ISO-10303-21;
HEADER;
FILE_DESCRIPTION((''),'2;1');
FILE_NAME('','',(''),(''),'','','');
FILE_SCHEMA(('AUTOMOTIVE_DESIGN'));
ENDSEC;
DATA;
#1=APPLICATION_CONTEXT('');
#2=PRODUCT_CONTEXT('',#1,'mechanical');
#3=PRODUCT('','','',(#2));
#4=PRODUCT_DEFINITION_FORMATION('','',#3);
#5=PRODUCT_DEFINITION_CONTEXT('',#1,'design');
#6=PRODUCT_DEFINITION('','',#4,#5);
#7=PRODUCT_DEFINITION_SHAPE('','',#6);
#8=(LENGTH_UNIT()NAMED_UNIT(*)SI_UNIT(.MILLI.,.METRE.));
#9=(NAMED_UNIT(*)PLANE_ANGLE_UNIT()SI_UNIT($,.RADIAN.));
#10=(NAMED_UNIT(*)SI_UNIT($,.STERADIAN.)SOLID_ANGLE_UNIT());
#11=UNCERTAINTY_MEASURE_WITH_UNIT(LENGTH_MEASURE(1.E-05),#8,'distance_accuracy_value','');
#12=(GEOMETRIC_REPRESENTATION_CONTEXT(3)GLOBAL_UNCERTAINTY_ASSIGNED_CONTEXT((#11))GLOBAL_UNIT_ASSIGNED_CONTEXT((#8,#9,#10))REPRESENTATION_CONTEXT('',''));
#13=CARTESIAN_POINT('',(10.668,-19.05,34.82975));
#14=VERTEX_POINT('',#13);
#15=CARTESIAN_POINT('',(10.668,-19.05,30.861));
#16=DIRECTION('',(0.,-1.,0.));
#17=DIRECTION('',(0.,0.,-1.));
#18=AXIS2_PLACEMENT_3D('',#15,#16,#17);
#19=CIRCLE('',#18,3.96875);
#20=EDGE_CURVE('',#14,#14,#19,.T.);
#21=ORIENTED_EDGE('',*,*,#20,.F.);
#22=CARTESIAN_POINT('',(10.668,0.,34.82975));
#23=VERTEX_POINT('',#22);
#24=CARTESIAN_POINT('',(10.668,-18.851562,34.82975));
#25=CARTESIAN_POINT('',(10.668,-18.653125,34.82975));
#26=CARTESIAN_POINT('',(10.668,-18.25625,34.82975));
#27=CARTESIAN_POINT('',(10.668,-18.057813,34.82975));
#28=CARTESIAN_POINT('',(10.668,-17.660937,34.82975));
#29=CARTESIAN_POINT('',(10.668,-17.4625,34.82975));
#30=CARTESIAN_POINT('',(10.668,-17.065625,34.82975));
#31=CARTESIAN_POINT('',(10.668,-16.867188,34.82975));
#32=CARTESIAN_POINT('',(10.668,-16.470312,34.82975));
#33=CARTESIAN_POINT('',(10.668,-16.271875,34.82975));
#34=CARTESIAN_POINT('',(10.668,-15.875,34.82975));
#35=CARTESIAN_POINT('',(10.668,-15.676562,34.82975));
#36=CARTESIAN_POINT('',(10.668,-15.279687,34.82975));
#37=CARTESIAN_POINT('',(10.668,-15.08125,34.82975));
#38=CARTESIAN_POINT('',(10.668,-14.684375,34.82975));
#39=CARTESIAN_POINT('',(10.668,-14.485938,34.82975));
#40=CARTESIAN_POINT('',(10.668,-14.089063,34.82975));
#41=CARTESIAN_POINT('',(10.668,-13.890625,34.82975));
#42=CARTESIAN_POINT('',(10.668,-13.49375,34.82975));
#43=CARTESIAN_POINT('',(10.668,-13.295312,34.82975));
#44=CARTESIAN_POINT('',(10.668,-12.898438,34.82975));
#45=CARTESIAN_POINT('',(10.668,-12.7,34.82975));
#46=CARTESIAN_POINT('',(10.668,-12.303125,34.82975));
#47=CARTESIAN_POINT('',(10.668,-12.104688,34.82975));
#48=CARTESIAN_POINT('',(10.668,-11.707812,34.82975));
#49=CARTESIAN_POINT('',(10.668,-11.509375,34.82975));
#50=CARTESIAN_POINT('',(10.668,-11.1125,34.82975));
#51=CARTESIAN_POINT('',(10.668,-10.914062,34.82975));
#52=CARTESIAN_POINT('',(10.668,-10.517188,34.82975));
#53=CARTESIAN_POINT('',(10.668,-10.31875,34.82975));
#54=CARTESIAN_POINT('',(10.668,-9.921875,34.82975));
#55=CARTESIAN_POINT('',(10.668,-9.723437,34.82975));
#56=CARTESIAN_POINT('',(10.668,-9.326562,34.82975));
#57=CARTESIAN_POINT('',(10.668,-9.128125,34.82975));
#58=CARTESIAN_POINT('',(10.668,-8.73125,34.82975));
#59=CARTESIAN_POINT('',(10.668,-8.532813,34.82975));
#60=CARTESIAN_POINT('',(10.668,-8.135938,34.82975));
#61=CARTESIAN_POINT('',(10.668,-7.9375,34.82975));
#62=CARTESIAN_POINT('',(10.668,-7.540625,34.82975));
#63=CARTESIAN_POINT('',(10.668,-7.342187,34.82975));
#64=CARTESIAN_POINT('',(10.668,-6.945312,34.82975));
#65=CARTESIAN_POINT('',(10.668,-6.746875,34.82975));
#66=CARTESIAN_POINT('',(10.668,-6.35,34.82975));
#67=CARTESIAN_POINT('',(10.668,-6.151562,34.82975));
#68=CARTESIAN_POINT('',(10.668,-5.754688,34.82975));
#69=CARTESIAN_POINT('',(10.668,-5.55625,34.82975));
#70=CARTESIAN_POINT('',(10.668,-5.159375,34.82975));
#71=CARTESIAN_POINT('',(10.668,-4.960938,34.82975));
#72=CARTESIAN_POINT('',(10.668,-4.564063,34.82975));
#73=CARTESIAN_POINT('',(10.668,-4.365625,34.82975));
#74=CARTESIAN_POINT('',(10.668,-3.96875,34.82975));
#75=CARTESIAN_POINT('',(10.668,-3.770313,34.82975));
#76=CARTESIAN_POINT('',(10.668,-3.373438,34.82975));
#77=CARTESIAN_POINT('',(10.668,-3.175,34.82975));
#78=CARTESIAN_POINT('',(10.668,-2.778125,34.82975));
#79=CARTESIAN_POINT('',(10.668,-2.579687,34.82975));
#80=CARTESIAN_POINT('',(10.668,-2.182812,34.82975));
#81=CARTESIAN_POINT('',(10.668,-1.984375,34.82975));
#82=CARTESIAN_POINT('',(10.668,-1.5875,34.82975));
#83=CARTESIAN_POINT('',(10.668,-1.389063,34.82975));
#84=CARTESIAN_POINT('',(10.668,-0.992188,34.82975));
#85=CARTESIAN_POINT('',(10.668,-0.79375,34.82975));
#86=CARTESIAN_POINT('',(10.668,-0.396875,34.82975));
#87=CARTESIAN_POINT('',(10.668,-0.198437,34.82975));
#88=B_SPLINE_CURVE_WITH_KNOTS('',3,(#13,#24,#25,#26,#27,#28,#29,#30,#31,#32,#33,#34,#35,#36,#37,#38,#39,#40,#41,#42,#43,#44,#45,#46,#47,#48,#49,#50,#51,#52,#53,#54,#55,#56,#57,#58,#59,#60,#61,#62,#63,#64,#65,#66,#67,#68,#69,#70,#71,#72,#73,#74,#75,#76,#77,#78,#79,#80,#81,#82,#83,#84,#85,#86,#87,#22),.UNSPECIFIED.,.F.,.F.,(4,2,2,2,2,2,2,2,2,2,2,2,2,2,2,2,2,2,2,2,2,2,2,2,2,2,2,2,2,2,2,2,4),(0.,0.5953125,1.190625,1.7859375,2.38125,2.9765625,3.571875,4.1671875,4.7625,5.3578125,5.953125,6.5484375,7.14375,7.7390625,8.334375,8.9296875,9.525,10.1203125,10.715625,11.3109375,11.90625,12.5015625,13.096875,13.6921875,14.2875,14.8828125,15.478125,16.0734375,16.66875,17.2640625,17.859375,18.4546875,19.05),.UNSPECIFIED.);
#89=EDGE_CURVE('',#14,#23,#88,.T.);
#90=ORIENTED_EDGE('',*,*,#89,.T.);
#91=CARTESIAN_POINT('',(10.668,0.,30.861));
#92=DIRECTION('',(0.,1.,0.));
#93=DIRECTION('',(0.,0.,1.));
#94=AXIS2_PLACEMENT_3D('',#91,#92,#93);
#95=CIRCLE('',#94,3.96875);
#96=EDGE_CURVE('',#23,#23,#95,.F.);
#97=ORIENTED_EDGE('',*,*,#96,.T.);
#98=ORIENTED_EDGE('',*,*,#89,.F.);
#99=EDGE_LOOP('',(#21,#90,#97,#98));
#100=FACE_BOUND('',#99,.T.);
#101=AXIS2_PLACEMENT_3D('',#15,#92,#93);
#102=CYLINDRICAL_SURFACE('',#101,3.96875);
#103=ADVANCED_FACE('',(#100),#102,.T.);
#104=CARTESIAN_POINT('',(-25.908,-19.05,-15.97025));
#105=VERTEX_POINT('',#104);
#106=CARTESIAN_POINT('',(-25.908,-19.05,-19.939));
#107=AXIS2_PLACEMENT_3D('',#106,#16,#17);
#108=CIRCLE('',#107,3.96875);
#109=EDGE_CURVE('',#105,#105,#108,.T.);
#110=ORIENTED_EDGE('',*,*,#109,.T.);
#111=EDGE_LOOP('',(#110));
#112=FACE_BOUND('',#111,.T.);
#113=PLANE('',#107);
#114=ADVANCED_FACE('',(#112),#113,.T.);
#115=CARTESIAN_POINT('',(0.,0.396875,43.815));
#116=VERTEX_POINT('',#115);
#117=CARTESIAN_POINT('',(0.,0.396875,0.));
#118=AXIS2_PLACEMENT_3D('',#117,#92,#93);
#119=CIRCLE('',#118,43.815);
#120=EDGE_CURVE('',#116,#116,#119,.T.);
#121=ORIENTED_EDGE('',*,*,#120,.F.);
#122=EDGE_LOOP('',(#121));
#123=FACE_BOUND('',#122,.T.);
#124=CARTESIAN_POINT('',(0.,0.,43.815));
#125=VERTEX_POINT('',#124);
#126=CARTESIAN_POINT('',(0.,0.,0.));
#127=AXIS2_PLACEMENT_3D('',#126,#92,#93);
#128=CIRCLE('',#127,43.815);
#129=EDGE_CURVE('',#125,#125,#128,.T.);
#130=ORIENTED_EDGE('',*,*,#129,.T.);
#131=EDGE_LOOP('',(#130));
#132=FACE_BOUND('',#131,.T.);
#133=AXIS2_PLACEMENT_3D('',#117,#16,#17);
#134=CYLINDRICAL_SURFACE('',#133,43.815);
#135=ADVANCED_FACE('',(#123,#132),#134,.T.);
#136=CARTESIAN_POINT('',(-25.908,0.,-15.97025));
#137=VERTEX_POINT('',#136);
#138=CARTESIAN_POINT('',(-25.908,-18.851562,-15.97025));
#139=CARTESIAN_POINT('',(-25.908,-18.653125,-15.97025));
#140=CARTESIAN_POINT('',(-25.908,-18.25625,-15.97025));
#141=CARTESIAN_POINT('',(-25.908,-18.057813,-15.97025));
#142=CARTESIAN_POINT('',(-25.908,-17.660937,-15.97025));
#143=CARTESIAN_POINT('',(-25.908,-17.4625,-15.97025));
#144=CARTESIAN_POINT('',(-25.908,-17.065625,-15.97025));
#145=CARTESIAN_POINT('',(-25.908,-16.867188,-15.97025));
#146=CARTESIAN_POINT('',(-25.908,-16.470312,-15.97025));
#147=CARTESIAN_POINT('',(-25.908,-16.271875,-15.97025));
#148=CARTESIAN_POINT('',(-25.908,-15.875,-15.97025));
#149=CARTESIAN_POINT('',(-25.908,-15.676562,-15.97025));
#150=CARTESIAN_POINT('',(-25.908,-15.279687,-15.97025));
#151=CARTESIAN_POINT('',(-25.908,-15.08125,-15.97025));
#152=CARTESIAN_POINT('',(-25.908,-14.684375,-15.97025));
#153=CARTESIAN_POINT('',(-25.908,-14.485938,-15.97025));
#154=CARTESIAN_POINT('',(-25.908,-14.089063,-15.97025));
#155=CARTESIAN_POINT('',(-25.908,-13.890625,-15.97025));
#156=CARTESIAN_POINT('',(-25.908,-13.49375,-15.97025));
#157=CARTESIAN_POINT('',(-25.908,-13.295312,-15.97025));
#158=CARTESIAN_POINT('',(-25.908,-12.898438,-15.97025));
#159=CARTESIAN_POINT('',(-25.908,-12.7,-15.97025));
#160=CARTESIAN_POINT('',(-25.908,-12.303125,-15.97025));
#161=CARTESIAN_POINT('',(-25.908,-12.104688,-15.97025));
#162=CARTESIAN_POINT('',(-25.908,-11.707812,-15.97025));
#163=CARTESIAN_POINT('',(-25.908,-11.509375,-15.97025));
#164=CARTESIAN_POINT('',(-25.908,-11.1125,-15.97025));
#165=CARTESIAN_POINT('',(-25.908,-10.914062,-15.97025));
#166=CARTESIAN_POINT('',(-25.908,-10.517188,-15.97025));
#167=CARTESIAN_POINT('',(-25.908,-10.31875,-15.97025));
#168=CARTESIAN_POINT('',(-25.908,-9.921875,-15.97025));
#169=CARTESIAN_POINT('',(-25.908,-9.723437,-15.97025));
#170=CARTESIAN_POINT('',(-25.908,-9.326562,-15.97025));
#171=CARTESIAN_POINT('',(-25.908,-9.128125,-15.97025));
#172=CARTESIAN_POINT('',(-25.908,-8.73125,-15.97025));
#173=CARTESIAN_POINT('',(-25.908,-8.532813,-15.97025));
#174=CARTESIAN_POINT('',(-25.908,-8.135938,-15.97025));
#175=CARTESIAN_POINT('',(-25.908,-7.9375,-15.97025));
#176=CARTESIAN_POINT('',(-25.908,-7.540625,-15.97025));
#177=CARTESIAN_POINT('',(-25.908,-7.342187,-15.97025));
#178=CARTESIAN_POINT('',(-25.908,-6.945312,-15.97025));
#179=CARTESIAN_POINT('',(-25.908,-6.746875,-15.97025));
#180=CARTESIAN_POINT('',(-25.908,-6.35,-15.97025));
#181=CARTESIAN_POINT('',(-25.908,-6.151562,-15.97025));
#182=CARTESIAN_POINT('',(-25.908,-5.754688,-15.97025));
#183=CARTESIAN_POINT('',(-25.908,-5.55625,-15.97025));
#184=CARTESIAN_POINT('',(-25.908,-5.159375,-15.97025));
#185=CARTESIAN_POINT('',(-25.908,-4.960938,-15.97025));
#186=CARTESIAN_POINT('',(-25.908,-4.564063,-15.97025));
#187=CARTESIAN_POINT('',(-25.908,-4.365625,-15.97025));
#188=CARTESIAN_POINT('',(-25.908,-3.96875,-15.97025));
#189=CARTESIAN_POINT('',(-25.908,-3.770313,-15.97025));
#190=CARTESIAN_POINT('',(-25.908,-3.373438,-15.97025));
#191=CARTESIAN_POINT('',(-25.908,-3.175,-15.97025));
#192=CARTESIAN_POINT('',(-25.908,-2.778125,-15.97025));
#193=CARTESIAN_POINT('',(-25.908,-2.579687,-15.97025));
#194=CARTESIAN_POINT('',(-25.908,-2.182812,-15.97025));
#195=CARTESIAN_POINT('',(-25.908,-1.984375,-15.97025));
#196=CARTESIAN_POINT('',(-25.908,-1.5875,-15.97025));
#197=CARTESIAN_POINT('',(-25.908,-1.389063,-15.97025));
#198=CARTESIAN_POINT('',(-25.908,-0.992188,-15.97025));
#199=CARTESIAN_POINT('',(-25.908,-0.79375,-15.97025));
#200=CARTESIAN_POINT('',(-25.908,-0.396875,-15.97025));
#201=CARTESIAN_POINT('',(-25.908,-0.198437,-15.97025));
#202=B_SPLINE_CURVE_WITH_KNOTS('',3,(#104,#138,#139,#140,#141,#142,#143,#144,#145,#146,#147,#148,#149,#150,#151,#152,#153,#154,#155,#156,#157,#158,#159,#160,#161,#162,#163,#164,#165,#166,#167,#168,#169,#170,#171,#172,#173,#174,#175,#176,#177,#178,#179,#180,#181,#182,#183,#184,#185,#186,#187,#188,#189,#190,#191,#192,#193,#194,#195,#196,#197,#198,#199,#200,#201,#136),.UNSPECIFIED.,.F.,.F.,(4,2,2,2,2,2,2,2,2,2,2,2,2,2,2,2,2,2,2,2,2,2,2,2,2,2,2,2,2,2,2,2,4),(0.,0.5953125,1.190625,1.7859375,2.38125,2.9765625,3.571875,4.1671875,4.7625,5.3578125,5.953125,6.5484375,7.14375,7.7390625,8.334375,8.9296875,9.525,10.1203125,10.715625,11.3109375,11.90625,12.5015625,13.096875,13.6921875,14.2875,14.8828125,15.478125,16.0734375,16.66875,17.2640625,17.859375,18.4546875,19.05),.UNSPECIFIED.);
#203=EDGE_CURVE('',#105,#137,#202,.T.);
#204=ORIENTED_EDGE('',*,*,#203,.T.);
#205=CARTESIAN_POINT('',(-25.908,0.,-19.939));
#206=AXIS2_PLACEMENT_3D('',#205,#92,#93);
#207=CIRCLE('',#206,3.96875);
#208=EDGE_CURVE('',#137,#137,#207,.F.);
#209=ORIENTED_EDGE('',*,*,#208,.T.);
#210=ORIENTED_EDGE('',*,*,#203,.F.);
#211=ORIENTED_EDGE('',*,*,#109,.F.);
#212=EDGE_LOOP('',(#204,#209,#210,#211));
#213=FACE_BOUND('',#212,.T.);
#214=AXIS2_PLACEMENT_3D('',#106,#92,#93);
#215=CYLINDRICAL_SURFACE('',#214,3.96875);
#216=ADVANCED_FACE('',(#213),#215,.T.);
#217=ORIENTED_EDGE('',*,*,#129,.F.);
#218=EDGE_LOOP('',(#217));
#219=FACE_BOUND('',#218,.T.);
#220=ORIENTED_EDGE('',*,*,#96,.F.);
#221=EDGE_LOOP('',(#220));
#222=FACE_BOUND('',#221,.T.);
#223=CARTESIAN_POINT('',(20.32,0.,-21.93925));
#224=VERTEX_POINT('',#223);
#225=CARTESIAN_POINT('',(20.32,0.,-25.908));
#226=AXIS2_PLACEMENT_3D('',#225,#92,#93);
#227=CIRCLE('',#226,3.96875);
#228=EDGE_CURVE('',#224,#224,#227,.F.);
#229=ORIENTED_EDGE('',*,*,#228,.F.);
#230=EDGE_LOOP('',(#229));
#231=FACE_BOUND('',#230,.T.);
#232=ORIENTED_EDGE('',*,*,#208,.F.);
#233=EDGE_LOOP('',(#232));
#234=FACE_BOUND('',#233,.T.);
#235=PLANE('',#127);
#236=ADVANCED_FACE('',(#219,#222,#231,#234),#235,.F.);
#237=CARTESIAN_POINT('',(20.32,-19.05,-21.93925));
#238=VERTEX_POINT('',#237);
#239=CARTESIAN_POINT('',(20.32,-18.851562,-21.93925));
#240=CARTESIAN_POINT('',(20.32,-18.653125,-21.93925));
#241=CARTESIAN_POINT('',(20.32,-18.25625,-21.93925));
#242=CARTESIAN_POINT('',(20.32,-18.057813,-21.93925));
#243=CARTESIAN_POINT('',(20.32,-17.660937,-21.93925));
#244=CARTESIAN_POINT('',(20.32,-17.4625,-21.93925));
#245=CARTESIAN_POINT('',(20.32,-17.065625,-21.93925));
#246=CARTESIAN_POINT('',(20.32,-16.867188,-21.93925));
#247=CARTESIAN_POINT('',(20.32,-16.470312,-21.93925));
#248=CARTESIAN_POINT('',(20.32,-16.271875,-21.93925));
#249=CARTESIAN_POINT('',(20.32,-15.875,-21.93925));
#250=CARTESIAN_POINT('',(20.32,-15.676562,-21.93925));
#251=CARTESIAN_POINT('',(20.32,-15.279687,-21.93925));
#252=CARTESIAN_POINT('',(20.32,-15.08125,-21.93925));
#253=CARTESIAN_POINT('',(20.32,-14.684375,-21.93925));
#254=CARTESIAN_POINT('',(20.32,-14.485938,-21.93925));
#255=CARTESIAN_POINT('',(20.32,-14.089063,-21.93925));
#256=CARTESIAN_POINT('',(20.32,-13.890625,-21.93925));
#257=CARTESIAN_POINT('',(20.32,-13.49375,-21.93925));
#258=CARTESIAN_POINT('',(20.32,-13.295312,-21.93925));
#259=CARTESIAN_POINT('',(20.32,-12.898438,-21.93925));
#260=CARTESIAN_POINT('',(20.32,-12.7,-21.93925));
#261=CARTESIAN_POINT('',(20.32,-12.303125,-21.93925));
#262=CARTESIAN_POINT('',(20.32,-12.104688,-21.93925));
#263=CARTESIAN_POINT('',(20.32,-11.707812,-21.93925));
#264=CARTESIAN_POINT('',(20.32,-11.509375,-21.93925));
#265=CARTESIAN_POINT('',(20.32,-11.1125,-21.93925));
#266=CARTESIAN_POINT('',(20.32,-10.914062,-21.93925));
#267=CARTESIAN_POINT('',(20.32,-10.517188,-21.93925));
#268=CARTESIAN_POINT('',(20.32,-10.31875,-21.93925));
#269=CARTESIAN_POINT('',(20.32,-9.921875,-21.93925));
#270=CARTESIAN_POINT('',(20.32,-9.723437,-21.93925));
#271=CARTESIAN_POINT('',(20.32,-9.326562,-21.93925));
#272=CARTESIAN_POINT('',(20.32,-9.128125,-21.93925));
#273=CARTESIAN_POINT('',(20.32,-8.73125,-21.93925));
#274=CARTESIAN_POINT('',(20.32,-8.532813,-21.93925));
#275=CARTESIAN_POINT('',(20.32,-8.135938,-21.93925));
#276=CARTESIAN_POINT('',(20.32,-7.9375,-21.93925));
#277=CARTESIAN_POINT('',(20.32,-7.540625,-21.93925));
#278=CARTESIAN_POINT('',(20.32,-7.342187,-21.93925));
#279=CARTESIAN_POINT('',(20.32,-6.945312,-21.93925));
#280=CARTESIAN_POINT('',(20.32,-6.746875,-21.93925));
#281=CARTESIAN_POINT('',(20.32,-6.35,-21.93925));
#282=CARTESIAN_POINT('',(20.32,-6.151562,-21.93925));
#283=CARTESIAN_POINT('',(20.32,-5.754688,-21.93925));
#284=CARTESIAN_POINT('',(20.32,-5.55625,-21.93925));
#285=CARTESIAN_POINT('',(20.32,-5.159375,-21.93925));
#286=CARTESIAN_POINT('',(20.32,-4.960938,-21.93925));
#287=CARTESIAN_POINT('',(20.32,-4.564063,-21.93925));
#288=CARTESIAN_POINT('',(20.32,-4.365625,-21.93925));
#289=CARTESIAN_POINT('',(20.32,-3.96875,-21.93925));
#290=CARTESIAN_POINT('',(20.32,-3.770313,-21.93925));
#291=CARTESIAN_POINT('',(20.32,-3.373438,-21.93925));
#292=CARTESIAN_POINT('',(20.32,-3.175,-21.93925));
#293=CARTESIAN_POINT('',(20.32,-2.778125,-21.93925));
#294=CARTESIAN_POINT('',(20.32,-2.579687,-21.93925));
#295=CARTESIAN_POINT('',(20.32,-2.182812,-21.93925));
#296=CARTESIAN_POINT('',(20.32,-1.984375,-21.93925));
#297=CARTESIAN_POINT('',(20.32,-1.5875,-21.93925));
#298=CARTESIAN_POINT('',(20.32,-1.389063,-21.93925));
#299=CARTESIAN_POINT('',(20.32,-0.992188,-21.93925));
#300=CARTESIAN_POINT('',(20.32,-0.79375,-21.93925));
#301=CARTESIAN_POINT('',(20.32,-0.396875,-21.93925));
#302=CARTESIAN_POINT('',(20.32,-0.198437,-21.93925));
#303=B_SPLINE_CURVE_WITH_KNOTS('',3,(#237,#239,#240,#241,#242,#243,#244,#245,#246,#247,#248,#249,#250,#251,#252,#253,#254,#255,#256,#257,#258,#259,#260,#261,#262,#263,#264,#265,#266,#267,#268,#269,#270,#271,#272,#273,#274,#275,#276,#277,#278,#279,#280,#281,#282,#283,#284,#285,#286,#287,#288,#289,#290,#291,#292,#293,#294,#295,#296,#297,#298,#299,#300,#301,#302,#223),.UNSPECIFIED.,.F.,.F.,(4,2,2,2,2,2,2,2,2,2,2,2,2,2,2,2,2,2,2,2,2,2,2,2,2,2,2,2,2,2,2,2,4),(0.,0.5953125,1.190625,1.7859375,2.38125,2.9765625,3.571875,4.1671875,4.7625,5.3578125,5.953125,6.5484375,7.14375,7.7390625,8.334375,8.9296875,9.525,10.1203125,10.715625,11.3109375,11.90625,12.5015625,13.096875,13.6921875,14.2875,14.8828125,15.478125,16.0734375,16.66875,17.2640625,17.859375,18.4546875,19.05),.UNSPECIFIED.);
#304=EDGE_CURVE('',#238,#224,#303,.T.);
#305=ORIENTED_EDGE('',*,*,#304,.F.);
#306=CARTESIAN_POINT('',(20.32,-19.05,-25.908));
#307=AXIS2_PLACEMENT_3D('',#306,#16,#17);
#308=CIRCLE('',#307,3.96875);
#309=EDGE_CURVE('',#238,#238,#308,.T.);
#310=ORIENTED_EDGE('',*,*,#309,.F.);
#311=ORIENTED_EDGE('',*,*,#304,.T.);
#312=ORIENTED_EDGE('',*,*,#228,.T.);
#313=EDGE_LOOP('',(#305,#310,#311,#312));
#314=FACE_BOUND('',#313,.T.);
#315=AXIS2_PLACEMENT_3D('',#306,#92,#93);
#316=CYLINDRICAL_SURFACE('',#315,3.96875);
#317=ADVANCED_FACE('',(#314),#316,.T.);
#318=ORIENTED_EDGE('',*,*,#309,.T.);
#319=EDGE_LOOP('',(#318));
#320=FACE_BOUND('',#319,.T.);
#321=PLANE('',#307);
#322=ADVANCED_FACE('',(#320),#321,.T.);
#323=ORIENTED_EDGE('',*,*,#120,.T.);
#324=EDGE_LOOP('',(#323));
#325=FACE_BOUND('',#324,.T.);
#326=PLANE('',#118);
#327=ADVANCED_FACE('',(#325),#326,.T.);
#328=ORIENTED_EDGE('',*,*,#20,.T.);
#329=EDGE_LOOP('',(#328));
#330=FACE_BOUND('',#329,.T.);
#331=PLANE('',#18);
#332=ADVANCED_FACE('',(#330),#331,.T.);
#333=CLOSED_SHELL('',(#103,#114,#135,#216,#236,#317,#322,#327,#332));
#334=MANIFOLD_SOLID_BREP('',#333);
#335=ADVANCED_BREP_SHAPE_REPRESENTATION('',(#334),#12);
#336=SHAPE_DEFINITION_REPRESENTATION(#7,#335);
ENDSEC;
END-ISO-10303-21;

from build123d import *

# Parameters (mm, degrees)
SKETCH1_R           = 43.815
BOSS_EXTRUDE1_DEPTH = 0.396875
SKETCH2_R           = 3.96875
BOSS_EXTRUDE2_DEPTH = 19.05


with BuildPart() as part:
    # Sketch1 → Boss-Extrude1 (new body)
    with BuildSketch(Plane(origin=(0, 0, 0), x_dir=(1, 0, 0), z_dir=(0, 1, 0))):
        with Locations(Location((0, 0, 0), (0, 0, 270))):
            Circle(SKETCH1_R)
    extrude(amount=BOSS_EXTRUDE1_DEPTH)

    # Sketch2 → Boss-Extrude2 (add)
    with BuildSketch(Plane.XZ):
        with Locations(Location((20.32, -25.908, 0), (0, 0, 90))):
            Circle(SKETCH2_R)
        with Locations(Location((-25.908, -19.939, 0), (0, 0, 90))):
            Circle(SKETCH2_R)
        with Locations(Location((10.668, 30.861, 0), (0, 0, 90))):
            Circle(SKETCH2_R)
    extrude(amount=BOSS_EXTRUDE2_DEPTH)


solid = part.part
